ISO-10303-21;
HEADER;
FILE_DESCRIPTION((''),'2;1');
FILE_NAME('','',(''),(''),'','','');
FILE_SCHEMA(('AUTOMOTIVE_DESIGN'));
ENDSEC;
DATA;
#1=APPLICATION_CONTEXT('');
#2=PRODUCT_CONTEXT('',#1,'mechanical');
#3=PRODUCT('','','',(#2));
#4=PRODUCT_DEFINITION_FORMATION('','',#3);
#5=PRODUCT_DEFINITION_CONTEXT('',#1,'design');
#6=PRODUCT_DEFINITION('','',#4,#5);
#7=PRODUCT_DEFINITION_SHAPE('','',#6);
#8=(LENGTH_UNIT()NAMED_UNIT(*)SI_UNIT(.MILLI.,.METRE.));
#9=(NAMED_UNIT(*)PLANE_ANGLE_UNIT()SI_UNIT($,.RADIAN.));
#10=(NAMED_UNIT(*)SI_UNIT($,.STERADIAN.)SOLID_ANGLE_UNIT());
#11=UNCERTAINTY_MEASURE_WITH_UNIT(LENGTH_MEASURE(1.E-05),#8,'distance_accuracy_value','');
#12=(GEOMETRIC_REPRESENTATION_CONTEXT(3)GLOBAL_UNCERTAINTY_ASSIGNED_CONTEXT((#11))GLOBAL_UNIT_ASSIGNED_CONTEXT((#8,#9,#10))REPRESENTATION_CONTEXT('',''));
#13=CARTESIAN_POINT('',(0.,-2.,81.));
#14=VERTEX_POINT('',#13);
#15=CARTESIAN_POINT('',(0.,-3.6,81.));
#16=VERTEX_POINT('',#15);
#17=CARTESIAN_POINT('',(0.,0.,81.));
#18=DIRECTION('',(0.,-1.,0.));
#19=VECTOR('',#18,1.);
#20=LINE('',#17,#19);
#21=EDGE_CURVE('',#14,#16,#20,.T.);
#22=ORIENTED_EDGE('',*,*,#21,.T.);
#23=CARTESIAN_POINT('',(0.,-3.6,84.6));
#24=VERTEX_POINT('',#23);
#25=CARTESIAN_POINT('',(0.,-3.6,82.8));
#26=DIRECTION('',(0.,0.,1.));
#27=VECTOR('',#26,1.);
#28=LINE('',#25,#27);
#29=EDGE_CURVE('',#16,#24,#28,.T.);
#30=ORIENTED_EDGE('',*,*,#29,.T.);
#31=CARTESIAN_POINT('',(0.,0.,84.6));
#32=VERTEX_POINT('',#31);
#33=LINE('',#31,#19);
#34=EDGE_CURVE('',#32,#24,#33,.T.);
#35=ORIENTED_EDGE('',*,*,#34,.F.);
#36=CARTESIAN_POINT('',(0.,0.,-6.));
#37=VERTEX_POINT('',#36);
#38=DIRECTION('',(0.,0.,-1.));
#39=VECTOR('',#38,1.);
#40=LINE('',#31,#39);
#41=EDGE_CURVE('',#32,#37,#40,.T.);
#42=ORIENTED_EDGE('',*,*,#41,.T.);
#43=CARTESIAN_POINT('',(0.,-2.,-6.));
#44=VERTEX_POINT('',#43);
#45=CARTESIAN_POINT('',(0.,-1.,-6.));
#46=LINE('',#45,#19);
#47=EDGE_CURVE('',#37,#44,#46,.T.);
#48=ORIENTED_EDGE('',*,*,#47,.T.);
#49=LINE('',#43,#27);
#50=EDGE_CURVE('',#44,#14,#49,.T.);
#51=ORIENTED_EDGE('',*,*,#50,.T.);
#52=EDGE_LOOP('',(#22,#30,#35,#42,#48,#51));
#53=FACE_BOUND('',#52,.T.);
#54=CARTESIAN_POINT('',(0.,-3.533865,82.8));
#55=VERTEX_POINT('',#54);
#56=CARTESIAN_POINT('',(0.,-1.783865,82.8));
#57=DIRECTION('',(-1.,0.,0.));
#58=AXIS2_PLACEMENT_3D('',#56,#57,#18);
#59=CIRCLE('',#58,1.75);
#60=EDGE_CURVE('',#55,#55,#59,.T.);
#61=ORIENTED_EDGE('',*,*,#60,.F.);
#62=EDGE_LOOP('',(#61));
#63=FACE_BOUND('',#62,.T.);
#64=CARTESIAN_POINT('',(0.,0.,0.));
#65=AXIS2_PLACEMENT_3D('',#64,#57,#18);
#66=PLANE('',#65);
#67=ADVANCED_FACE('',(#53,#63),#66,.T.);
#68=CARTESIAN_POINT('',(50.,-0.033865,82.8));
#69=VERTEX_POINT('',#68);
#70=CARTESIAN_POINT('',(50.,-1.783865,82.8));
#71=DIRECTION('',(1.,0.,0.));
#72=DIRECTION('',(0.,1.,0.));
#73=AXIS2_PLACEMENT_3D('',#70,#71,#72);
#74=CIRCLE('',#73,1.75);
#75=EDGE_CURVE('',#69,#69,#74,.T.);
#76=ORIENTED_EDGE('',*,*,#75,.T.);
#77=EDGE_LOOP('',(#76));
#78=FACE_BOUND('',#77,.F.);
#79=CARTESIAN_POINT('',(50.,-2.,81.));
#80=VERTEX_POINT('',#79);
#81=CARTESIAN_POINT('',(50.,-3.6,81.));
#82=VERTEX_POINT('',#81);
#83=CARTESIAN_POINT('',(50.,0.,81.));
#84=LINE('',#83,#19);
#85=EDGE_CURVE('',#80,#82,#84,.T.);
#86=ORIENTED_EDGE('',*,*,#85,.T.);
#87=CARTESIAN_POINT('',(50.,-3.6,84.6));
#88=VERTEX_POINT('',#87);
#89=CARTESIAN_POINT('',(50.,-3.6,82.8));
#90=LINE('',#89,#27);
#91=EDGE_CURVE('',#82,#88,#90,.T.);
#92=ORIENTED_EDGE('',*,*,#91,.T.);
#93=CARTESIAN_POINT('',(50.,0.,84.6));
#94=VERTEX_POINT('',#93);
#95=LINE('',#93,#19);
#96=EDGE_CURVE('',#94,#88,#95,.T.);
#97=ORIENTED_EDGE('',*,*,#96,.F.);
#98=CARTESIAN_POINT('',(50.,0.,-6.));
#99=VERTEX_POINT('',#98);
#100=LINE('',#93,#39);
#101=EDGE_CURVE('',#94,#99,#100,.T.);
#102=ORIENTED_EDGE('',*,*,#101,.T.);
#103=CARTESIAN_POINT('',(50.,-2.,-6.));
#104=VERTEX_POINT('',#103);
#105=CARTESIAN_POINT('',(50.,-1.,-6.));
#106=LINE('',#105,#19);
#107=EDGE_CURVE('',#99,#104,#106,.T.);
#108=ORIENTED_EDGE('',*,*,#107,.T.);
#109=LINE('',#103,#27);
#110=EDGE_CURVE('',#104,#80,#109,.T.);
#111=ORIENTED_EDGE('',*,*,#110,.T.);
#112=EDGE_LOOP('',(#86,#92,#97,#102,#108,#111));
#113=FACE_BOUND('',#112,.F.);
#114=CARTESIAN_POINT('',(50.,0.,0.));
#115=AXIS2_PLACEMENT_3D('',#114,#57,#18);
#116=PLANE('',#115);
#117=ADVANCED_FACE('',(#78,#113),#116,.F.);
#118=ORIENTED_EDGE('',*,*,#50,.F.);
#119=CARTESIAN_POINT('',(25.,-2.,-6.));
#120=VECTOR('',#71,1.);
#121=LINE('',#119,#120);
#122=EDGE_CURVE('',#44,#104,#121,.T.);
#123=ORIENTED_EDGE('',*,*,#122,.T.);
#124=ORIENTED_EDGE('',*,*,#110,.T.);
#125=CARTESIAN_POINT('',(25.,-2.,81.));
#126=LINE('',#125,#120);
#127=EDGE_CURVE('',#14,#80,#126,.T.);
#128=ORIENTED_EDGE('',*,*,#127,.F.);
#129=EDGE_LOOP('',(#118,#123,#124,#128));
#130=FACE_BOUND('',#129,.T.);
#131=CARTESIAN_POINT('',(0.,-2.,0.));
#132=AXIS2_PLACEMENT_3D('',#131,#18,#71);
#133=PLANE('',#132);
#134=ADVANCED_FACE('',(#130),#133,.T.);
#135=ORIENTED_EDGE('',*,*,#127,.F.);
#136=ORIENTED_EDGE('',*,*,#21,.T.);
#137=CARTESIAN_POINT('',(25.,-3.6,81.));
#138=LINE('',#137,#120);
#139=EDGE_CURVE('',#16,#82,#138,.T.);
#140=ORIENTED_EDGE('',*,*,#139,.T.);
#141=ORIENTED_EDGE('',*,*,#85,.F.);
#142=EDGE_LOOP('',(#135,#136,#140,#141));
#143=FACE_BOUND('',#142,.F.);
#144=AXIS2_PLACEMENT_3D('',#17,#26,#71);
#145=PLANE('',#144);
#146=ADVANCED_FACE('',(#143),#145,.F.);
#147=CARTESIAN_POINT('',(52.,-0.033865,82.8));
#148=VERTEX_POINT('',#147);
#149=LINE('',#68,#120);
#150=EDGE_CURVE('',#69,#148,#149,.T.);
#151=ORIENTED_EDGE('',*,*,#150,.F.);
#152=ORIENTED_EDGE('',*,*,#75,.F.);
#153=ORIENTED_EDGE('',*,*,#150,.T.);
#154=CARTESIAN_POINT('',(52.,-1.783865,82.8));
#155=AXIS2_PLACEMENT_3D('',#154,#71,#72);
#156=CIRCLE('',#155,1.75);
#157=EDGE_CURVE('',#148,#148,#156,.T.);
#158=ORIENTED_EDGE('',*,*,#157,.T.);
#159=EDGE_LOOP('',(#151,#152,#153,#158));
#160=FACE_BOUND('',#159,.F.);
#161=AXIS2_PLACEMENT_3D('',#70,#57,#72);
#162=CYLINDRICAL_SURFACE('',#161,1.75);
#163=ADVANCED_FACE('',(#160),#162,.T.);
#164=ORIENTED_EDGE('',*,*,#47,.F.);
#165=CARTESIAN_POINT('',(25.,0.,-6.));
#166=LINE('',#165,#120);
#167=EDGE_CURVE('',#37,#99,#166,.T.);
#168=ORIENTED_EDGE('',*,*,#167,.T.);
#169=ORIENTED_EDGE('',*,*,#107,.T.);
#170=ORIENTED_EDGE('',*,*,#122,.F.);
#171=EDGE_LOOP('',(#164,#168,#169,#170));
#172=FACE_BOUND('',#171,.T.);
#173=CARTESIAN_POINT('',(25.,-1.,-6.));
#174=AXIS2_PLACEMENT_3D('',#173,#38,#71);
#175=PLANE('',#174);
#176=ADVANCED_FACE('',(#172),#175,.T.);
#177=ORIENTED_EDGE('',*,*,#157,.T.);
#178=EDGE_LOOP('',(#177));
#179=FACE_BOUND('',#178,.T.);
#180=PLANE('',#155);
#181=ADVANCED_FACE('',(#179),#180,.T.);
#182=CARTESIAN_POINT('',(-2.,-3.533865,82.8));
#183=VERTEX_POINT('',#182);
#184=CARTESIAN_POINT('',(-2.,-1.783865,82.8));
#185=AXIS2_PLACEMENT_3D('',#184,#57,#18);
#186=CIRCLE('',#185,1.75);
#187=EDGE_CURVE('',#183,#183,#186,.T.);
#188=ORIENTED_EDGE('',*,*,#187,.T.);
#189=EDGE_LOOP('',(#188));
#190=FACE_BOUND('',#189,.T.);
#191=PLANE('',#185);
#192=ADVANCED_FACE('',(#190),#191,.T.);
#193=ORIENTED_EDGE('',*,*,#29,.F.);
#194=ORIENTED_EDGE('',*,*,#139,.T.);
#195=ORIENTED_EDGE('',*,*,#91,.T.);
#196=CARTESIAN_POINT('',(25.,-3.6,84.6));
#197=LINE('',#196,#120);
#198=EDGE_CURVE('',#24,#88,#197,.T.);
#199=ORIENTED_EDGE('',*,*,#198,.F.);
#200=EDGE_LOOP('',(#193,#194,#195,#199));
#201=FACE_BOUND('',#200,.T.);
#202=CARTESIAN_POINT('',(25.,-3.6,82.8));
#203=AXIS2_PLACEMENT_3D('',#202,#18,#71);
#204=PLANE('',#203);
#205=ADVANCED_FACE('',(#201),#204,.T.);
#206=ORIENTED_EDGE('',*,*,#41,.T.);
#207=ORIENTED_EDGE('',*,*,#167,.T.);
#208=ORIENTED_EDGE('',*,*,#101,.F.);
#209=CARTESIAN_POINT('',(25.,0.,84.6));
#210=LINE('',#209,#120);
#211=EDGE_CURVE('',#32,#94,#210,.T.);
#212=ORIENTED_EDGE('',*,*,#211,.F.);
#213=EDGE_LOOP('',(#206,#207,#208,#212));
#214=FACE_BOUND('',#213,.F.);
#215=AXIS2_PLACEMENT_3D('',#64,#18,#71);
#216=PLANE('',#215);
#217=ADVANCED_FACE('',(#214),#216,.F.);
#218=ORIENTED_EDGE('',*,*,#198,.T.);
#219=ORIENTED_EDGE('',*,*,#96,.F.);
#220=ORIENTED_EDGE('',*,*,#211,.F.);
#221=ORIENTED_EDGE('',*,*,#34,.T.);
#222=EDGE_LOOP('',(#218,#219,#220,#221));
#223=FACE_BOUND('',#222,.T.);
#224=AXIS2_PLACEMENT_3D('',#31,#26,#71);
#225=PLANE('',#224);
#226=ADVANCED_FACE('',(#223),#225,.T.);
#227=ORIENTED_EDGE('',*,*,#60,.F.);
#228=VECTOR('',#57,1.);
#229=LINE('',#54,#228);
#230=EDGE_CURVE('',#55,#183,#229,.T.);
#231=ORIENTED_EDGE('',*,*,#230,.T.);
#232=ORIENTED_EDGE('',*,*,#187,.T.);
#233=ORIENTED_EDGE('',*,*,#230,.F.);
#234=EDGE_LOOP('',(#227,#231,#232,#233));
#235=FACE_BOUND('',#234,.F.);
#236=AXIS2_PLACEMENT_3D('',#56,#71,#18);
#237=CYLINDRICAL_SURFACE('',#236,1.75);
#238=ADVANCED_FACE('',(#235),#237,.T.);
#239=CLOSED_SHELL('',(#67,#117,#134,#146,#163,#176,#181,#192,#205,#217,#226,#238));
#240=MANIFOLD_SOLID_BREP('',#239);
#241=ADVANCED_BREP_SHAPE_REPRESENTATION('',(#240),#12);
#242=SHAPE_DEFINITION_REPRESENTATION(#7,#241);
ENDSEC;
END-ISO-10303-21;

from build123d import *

# Parameters (mm, degrees)
F0_W      = 50
F0_H      = 81
F1_DEPTH  = 2
F0_H_2    = 3.6
F2_DEPTH  = 3.6
F4_R      = 1.75
F5_DEPTH  = 2
F3_R      = 1.75
F6_DEPTH  = 2
F1_FACE_W = 50
F1_FACE_H = 2
F7_DEPTH  = 6


with BuildPart() as f1:
    # F0 (on Front) → F1 (new body)
    with BuildSketch(Plane.XZ):
        with Locations((25, 40.5)):
            Rectangle(F0_W, F0_H)
    extrude(amount=F1_DEPTH)

    # F0 (on Front) → F2 (join)
    with BuildSketch(Plane.XZ):
        with Locations((25, 82.8)):
            Rectangle(F0_W, F0_H_2)
    extrude(amount=F2_DEPTH)

    # F4 (on face) → F5 (join)
    with BuildSketch(Plane(origin=(0, 0, 0), x_dir=(0, -1, 0), z_dir=(-1, 0, 0))):
        with Locations((1.783865, 82.8)):
            Circle(F4_R)
    extrude(amount=F5_DEPTH)

    # F3 (on face) → F6 (join)
    with BuildSketch(Plane.YZ.offset(50)):
        with Locations((-1.783865, 82.8)):
            Circle(F3_R)
    extrude(amount=F6_DEPTH)

    # F1_face (on face) → F7 (join)
    with BuildSketch(Plane(origin=(25, -1, 0), x_dir=(1, 0, 0), z_dir=(0, 0, -1))):
        Rectangle(F1_FACE_W, F1_FACE_H)
    extrude(amount=F7_DEPTH)


solid = f1.part
